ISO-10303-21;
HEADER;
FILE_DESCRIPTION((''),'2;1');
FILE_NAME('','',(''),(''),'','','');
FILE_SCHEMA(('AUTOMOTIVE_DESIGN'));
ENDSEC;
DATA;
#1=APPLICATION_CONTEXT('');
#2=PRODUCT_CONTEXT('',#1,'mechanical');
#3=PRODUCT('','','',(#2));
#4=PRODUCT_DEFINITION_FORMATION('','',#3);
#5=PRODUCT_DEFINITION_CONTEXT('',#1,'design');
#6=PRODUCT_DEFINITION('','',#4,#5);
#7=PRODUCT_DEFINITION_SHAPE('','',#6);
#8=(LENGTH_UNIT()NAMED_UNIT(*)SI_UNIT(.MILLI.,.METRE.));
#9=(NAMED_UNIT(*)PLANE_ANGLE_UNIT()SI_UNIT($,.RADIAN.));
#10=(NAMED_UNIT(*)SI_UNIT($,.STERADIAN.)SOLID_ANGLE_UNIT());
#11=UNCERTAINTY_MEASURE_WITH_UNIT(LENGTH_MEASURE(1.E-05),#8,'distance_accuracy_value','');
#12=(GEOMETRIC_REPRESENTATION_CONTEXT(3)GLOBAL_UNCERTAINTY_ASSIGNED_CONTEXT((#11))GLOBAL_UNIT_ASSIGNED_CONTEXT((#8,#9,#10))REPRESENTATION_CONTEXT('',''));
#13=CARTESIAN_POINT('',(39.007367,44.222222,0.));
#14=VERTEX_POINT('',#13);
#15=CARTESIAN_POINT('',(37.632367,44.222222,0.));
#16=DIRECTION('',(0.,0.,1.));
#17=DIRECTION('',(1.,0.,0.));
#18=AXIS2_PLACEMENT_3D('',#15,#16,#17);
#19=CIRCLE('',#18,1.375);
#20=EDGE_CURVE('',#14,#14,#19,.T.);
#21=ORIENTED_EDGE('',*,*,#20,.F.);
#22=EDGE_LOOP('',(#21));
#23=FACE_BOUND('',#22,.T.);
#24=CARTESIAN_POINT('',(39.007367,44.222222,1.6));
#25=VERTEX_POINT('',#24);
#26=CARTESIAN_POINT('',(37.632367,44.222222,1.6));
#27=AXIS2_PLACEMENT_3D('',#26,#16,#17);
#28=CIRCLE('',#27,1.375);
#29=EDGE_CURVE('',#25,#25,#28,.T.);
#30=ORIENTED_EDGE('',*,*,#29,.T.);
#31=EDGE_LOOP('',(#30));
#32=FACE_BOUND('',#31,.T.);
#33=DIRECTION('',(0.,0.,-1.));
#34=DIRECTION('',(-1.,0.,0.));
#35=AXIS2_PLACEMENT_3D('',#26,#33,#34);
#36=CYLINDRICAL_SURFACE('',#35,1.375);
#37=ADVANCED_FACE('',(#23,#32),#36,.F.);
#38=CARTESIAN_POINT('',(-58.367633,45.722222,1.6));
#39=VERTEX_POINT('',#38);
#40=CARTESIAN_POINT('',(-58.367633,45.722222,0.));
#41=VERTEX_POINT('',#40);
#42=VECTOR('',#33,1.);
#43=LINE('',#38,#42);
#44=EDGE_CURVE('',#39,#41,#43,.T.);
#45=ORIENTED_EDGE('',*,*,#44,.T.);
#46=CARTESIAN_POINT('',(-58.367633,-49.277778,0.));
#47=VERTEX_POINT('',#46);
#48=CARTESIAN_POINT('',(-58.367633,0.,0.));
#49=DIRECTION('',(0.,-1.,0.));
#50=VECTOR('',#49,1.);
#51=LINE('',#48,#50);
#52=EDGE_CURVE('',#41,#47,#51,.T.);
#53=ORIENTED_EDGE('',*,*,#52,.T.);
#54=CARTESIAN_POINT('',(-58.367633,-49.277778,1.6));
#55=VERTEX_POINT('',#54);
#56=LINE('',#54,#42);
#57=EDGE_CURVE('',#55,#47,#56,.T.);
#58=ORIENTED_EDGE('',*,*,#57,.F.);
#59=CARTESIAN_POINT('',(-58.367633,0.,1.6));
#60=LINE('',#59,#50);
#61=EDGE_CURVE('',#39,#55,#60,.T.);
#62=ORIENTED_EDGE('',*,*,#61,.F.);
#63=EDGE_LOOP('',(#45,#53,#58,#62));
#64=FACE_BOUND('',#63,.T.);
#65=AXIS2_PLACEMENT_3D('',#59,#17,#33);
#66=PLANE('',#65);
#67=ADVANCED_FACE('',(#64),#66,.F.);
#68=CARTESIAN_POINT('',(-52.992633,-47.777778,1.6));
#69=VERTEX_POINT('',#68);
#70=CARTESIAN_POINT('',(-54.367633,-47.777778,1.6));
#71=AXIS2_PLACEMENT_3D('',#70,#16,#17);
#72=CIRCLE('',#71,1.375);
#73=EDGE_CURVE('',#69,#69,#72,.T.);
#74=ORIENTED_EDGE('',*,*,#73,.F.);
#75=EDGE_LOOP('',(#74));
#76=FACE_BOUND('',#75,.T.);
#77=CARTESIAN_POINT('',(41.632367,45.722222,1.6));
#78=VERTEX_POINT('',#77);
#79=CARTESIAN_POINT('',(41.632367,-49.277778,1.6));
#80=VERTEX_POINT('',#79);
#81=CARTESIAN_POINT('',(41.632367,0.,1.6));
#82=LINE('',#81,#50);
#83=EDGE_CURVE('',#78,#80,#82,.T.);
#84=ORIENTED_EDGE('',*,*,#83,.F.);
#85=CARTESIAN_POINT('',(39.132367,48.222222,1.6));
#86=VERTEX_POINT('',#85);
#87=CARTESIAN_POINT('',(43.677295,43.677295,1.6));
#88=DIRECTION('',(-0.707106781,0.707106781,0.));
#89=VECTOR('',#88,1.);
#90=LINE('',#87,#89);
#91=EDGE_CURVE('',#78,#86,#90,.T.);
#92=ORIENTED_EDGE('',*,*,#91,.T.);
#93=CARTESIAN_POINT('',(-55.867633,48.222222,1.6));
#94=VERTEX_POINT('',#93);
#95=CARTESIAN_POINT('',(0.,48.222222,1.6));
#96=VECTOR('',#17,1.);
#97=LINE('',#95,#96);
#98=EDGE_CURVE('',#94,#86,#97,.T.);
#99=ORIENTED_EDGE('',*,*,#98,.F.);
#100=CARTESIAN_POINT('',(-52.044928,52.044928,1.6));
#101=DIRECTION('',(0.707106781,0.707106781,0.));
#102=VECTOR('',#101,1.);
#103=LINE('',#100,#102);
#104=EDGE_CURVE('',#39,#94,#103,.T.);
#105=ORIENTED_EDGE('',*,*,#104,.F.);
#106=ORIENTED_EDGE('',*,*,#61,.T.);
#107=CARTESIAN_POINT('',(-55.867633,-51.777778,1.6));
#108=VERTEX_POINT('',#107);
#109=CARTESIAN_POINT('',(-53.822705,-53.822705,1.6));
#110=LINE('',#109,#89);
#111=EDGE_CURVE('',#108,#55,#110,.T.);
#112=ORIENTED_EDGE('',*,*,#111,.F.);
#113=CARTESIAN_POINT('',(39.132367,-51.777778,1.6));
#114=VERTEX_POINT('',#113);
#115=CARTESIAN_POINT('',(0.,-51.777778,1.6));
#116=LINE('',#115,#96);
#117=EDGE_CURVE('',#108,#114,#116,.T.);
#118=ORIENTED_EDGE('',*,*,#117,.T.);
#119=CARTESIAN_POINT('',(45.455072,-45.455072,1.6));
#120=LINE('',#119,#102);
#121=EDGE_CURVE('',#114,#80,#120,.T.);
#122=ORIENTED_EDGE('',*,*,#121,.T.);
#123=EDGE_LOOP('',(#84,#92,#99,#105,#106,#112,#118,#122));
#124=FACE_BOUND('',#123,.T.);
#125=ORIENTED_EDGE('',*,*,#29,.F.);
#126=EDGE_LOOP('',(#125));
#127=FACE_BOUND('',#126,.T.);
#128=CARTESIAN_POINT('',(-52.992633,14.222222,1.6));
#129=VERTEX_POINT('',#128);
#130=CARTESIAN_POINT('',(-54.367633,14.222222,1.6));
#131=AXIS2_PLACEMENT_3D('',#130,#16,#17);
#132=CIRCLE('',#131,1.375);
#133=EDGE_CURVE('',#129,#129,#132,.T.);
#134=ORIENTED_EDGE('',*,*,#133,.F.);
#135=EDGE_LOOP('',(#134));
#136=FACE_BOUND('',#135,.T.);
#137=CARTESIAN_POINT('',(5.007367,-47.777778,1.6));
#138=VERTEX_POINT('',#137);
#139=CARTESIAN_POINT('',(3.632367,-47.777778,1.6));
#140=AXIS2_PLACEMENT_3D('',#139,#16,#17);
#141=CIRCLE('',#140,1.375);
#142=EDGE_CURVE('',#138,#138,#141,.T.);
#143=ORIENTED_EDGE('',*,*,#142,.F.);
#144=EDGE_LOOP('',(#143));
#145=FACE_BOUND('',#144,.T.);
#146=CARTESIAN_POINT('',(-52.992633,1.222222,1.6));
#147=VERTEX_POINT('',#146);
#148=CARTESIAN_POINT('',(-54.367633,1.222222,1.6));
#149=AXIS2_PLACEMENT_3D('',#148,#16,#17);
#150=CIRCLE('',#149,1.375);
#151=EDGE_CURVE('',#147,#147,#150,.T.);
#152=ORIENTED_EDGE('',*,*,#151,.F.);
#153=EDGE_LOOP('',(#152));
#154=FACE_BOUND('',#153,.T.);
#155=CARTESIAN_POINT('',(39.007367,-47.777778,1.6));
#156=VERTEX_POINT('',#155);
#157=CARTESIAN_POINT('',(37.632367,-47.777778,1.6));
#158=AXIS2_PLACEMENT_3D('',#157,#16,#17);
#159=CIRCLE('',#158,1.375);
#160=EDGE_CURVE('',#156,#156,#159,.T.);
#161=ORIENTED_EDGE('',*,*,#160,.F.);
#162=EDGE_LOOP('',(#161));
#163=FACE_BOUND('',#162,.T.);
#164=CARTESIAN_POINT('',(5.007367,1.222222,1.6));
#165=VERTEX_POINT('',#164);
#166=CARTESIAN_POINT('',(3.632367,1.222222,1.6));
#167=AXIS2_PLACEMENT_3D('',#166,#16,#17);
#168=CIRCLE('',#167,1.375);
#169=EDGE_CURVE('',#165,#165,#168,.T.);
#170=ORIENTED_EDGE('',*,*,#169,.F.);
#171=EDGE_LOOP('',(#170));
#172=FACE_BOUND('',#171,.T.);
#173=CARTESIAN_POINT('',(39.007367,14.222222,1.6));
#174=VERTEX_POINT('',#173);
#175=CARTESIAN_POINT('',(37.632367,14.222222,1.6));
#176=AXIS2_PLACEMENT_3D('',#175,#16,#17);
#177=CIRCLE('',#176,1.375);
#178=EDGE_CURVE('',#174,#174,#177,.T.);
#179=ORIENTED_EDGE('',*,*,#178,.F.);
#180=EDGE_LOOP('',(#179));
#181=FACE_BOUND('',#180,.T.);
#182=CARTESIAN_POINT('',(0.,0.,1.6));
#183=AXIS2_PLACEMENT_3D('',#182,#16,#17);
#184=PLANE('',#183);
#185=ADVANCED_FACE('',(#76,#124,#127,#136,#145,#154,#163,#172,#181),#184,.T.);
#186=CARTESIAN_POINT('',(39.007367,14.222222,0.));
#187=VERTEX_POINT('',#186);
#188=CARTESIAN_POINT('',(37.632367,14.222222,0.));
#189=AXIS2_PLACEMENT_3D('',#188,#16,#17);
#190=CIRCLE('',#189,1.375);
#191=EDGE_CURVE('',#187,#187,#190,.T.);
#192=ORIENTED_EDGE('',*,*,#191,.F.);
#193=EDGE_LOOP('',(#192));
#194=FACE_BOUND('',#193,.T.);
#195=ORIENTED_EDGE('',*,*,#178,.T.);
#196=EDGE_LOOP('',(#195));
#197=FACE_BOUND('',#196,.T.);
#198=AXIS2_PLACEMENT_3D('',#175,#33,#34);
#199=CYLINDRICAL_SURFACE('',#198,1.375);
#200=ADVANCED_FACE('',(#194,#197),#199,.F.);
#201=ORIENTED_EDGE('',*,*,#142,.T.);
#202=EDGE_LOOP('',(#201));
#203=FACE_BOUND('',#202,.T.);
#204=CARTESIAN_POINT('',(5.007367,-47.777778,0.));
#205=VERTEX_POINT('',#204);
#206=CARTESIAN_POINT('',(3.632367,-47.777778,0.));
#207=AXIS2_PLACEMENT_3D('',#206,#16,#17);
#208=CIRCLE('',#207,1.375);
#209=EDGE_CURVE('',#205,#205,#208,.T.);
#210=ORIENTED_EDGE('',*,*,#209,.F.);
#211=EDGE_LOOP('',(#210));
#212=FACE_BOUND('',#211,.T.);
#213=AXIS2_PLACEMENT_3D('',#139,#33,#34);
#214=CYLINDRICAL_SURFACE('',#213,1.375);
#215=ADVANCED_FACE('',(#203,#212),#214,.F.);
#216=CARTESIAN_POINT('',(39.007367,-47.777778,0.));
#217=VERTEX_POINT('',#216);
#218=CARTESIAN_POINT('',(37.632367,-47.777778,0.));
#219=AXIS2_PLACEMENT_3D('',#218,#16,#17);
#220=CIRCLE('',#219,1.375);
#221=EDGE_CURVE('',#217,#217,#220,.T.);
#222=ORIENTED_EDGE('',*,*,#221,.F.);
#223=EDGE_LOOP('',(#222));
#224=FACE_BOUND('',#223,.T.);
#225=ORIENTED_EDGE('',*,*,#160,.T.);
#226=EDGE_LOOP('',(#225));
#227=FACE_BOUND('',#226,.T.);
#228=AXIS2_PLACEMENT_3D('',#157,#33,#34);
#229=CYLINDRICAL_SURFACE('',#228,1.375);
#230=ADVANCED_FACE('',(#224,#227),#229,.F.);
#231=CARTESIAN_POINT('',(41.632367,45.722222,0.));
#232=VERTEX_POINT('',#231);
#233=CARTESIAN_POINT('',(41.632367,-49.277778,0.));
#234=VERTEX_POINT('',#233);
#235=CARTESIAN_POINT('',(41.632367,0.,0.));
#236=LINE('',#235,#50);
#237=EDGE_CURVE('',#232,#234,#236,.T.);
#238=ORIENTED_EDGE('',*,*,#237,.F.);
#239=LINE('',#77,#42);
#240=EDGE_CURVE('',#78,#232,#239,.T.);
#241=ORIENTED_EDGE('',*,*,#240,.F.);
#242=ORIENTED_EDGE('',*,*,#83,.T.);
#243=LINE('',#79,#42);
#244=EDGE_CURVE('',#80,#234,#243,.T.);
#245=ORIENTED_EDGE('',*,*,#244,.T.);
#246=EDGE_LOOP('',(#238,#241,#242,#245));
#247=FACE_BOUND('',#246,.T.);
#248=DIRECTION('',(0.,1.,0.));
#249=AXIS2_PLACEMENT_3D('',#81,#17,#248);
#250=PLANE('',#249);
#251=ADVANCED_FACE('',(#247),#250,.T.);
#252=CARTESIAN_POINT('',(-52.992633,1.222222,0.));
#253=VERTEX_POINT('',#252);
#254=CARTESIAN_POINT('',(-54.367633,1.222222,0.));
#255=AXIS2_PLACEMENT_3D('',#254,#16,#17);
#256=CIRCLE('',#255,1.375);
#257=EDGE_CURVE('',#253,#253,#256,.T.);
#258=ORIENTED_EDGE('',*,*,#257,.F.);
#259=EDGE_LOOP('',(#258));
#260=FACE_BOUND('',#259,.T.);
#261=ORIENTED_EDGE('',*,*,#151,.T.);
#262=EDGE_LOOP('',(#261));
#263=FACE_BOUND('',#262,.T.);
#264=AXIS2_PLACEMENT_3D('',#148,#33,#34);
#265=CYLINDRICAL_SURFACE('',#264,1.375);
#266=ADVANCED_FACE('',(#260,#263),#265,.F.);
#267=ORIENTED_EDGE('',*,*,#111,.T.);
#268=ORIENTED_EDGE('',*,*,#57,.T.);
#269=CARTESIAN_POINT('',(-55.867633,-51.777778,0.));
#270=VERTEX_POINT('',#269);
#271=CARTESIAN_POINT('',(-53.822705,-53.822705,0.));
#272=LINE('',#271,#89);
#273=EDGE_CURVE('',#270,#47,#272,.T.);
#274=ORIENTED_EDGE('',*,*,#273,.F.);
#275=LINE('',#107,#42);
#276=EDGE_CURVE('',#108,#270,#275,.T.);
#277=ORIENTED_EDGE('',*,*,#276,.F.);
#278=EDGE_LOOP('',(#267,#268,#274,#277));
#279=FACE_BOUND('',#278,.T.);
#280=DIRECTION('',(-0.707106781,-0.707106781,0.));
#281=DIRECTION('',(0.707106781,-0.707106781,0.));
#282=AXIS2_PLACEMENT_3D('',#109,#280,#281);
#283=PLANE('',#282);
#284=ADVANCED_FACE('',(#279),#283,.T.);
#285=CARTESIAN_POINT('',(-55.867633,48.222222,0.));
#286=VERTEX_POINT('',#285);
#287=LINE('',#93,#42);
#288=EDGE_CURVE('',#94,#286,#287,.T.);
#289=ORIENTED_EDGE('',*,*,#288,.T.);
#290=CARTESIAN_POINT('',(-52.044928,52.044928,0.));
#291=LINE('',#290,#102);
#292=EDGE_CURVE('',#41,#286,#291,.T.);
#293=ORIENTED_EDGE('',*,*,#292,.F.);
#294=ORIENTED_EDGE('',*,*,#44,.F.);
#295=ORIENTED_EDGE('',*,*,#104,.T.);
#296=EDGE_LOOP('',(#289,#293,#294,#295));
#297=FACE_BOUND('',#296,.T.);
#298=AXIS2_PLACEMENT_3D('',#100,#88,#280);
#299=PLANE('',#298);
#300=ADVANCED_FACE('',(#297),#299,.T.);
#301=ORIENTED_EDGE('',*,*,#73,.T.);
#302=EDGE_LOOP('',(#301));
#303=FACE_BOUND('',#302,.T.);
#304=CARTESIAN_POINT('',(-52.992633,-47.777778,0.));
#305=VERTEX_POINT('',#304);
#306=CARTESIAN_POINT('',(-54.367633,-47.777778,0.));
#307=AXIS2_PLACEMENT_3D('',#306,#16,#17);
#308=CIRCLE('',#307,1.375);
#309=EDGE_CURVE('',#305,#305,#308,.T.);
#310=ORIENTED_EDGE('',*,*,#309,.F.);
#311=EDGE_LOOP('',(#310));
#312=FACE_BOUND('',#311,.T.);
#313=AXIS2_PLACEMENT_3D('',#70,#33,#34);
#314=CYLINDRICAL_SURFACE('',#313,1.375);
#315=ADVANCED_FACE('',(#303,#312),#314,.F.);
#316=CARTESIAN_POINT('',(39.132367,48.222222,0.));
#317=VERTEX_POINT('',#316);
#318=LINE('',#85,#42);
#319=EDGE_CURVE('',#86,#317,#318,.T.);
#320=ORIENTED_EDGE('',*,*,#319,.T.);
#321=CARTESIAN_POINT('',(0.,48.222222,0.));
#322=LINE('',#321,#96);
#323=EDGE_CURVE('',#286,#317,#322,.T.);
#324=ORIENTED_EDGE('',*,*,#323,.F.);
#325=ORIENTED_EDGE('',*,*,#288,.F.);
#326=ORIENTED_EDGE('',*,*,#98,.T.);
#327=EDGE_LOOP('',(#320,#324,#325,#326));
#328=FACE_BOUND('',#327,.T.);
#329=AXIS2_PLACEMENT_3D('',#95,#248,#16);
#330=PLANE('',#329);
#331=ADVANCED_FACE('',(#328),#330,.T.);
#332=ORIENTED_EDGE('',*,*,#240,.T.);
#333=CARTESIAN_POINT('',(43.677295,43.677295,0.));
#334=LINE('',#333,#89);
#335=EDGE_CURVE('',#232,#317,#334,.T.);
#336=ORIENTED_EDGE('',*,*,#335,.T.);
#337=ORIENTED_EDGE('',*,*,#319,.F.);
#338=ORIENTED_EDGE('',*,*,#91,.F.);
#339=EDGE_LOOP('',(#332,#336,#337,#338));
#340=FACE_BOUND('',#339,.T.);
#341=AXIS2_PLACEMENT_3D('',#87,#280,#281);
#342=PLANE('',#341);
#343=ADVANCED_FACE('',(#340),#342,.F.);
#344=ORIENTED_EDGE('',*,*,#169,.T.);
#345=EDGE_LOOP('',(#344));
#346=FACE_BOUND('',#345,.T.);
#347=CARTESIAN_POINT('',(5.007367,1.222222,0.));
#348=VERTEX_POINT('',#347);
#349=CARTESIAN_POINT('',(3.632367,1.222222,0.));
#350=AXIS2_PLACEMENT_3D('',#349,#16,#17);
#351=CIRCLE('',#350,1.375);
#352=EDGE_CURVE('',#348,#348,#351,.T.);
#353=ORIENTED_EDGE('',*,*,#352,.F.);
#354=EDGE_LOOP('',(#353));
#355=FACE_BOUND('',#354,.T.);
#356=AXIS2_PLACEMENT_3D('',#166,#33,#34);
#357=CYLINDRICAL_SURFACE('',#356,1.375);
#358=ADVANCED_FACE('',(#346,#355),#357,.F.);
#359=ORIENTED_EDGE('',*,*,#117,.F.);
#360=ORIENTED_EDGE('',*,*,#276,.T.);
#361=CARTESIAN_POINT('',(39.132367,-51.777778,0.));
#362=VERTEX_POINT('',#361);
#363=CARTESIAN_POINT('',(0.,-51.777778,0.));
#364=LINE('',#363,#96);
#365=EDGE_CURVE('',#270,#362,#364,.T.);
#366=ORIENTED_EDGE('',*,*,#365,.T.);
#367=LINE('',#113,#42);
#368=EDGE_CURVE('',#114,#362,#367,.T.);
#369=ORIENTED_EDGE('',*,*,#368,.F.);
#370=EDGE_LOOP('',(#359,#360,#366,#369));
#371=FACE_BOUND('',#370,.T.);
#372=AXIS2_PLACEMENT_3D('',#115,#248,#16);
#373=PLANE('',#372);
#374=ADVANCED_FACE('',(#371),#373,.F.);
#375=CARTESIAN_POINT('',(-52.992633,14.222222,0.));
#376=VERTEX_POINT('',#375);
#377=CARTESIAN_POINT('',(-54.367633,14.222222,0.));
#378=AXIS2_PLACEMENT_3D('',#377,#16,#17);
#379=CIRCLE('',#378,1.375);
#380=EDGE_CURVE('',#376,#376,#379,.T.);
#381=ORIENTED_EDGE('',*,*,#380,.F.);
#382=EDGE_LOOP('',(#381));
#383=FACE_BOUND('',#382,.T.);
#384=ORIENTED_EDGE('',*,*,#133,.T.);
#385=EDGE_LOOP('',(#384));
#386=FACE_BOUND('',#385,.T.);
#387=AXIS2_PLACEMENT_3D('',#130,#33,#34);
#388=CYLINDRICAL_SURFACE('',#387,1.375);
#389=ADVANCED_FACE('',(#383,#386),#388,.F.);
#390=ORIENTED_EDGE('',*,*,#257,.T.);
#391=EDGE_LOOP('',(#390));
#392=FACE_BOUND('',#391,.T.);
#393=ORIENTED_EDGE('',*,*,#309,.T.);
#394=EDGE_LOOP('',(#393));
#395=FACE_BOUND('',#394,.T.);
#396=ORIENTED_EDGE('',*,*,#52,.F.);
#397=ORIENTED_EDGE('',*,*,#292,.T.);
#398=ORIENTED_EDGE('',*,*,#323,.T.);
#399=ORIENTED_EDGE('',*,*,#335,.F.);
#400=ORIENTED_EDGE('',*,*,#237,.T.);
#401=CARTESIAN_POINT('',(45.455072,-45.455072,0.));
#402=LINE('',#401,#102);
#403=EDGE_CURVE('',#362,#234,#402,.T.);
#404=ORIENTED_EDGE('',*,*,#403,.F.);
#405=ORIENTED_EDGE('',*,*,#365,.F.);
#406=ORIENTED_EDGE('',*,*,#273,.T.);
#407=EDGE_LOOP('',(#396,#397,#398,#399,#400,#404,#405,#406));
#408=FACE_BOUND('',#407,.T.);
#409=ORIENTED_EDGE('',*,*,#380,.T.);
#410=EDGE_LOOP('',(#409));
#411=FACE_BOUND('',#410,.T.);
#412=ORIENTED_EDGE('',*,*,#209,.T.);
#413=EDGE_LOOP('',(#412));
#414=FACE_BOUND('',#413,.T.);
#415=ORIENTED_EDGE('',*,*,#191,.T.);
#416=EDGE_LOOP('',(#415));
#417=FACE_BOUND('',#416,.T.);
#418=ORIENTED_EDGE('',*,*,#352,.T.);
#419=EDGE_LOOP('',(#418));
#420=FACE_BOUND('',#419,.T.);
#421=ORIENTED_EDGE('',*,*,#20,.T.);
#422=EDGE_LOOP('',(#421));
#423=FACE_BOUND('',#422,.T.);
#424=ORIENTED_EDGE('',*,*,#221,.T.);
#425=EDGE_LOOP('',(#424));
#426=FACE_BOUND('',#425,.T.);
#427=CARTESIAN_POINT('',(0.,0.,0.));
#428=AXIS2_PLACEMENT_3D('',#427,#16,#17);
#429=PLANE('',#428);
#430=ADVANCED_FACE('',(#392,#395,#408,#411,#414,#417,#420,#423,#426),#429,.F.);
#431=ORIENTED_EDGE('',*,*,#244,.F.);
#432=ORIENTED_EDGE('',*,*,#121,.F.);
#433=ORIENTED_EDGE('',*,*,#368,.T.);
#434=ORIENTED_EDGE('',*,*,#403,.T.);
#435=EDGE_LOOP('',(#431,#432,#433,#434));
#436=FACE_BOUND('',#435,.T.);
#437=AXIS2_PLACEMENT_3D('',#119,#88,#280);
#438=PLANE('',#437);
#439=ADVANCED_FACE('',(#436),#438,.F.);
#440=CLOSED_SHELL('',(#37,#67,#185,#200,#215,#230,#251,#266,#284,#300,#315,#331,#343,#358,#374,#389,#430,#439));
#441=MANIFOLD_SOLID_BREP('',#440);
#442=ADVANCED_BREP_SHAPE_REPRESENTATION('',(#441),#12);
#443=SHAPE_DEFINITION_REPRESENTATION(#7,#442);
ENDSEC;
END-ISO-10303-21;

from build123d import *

# Parameters (mm, degrees)
ESQUISSE1_R        = 1.375
BOSS_EXTRU_1_DEPTH = 1.6


with BuildPart() as part:
    # Esquisse1 → Boss.-Extru.1 (new body)
    with BuildSketch(Plane.XY):
        Polygon((-58.367632909, -49.277777778), (-55.867632909, -51.777777778), (39.132367091, -51.777777778), (41.632367091, -49.277777778), (41.632367091, 45.722222222), (39.132367091, 48.222222222), (-55.867632909, 48.222222222), (-58.367632909, 45.722222222), align=None)
        with Locations((-54.367632909, -47.777777778)):
            Circle(ESQUISSE1_R, mode=Mode.SUBTRACT)
        with Locations((3.632367091, -47.777777778)):
            Circle(ESQUISSE1_R, mode=Mode.SUBTRACT)
        with Locations((37.632367091, -47.777777778)):
            Circle(ESQUISSE1_R, mode=Mode.SUBTRACT)
        with Locations((-54.367632909, 1.222222222)):
            Circle(ESQUISSE1_R, mode=Mode.SUBTRACT)
        with Locations((-54.367632909, 14.222222222)):
            Circle(ESQUISSE1_R, mode=Mode.SUBTRACT)
        with Locations((3.632367091, 1.222222222)):
            Circle(ESQUISSE1_R, mode=Mode.SUBTRACT)
        with Locations((37.632367091, 14.222222222)):
            Circle(ESQUISSE1_R, mode=Mode.SUBTRACT)
        with Locations((37.632367091, 44.222222222)):
            Circle(ESQUISSE1_R, mode=Mode.SUBTRACT)
    extrude(amount=BOSS_EXTRU_1_DEPTH)


solid = part.part
